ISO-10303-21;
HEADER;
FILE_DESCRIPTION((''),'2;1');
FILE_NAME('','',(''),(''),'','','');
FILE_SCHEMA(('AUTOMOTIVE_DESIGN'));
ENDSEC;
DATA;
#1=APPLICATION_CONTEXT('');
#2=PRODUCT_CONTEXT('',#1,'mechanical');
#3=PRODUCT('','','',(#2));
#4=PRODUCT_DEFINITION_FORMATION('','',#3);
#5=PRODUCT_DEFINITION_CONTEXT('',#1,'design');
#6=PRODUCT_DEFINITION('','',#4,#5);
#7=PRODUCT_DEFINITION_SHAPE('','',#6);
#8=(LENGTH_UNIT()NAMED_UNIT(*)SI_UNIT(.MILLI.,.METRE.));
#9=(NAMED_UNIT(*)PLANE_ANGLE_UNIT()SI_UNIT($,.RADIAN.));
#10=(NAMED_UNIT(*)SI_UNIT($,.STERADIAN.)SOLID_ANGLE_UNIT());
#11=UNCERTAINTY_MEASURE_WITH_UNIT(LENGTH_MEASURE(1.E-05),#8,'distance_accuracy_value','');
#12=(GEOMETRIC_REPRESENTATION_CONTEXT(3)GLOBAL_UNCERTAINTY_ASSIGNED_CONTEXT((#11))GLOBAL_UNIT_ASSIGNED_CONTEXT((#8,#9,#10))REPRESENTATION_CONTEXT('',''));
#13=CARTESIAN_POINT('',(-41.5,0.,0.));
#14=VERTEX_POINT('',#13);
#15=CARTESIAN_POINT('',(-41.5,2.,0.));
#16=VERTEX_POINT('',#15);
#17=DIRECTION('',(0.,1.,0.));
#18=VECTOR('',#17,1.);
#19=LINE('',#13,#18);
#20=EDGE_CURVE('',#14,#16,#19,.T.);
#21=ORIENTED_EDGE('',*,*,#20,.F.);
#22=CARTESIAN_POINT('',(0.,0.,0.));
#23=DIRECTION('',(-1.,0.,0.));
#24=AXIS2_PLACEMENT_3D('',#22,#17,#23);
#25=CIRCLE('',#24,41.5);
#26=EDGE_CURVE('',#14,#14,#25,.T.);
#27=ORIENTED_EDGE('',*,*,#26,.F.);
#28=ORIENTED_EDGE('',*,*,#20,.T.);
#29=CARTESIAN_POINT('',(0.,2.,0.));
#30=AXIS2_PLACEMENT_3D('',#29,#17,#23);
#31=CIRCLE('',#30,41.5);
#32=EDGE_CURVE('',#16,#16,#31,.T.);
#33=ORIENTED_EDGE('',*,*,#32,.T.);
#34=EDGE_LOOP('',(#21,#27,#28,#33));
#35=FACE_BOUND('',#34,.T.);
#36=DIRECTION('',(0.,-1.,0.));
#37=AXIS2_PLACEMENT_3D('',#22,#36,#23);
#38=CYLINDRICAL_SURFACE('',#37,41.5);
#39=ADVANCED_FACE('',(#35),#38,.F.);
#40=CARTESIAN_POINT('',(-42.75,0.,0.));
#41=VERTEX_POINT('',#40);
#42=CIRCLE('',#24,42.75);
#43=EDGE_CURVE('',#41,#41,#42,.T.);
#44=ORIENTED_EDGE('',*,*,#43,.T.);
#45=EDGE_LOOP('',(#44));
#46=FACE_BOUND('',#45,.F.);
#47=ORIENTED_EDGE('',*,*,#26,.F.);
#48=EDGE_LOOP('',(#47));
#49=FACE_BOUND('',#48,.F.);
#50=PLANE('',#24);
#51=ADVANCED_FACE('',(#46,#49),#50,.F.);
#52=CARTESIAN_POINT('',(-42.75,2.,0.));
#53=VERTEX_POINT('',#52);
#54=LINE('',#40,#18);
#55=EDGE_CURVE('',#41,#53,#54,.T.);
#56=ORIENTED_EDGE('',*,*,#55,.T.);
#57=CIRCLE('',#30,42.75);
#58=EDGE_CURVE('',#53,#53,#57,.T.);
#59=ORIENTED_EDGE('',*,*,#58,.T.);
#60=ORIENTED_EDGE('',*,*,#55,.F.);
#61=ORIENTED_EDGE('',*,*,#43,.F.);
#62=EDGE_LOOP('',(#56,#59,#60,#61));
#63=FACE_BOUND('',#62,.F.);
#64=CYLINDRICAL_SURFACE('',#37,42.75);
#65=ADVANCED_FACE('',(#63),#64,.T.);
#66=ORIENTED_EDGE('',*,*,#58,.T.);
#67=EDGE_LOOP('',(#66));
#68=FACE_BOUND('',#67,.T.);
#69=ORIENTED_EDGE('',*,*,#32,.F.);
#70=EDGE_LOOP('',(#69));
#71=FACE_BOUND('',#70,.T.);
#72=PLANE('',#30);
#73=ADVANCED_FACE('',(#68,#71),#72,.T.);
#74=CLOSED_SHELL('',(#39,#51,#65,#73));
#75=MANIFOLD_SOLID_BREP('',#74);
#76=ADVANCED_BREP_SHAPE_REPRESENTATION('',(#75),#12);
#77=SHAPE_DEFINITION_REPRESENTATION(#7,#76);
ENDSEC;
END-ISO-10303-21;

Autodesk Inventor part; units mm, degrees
ref_plane "YZ Plane" through (0, 0, 0) normal (1, 0, 0) x (0, 1, 0)
ref_plane "XZ Plane" through (0, 0, 0) normal (0, 1, 0) x (-1, 0, 0)
ref_plane "XY Plane" through (0, 0, 0) normal (0, 0, 1) x (1, 0, 0)
sketch "Sketch1" plane through (0, 0, 0) normal (0, 1, 0) x (-1, 0, 0)
  circle A0 centre (0, 0) radius 41.5
  circle A1 centre (0, 0) radius 42.75
  dimension "d0" = 83
  dimension "d1" = 85.5
extrude "Extrusion1" add sketch "Sketch1" along normal blind 2
properties part number "Pierścień uszczelniający tłoka"
